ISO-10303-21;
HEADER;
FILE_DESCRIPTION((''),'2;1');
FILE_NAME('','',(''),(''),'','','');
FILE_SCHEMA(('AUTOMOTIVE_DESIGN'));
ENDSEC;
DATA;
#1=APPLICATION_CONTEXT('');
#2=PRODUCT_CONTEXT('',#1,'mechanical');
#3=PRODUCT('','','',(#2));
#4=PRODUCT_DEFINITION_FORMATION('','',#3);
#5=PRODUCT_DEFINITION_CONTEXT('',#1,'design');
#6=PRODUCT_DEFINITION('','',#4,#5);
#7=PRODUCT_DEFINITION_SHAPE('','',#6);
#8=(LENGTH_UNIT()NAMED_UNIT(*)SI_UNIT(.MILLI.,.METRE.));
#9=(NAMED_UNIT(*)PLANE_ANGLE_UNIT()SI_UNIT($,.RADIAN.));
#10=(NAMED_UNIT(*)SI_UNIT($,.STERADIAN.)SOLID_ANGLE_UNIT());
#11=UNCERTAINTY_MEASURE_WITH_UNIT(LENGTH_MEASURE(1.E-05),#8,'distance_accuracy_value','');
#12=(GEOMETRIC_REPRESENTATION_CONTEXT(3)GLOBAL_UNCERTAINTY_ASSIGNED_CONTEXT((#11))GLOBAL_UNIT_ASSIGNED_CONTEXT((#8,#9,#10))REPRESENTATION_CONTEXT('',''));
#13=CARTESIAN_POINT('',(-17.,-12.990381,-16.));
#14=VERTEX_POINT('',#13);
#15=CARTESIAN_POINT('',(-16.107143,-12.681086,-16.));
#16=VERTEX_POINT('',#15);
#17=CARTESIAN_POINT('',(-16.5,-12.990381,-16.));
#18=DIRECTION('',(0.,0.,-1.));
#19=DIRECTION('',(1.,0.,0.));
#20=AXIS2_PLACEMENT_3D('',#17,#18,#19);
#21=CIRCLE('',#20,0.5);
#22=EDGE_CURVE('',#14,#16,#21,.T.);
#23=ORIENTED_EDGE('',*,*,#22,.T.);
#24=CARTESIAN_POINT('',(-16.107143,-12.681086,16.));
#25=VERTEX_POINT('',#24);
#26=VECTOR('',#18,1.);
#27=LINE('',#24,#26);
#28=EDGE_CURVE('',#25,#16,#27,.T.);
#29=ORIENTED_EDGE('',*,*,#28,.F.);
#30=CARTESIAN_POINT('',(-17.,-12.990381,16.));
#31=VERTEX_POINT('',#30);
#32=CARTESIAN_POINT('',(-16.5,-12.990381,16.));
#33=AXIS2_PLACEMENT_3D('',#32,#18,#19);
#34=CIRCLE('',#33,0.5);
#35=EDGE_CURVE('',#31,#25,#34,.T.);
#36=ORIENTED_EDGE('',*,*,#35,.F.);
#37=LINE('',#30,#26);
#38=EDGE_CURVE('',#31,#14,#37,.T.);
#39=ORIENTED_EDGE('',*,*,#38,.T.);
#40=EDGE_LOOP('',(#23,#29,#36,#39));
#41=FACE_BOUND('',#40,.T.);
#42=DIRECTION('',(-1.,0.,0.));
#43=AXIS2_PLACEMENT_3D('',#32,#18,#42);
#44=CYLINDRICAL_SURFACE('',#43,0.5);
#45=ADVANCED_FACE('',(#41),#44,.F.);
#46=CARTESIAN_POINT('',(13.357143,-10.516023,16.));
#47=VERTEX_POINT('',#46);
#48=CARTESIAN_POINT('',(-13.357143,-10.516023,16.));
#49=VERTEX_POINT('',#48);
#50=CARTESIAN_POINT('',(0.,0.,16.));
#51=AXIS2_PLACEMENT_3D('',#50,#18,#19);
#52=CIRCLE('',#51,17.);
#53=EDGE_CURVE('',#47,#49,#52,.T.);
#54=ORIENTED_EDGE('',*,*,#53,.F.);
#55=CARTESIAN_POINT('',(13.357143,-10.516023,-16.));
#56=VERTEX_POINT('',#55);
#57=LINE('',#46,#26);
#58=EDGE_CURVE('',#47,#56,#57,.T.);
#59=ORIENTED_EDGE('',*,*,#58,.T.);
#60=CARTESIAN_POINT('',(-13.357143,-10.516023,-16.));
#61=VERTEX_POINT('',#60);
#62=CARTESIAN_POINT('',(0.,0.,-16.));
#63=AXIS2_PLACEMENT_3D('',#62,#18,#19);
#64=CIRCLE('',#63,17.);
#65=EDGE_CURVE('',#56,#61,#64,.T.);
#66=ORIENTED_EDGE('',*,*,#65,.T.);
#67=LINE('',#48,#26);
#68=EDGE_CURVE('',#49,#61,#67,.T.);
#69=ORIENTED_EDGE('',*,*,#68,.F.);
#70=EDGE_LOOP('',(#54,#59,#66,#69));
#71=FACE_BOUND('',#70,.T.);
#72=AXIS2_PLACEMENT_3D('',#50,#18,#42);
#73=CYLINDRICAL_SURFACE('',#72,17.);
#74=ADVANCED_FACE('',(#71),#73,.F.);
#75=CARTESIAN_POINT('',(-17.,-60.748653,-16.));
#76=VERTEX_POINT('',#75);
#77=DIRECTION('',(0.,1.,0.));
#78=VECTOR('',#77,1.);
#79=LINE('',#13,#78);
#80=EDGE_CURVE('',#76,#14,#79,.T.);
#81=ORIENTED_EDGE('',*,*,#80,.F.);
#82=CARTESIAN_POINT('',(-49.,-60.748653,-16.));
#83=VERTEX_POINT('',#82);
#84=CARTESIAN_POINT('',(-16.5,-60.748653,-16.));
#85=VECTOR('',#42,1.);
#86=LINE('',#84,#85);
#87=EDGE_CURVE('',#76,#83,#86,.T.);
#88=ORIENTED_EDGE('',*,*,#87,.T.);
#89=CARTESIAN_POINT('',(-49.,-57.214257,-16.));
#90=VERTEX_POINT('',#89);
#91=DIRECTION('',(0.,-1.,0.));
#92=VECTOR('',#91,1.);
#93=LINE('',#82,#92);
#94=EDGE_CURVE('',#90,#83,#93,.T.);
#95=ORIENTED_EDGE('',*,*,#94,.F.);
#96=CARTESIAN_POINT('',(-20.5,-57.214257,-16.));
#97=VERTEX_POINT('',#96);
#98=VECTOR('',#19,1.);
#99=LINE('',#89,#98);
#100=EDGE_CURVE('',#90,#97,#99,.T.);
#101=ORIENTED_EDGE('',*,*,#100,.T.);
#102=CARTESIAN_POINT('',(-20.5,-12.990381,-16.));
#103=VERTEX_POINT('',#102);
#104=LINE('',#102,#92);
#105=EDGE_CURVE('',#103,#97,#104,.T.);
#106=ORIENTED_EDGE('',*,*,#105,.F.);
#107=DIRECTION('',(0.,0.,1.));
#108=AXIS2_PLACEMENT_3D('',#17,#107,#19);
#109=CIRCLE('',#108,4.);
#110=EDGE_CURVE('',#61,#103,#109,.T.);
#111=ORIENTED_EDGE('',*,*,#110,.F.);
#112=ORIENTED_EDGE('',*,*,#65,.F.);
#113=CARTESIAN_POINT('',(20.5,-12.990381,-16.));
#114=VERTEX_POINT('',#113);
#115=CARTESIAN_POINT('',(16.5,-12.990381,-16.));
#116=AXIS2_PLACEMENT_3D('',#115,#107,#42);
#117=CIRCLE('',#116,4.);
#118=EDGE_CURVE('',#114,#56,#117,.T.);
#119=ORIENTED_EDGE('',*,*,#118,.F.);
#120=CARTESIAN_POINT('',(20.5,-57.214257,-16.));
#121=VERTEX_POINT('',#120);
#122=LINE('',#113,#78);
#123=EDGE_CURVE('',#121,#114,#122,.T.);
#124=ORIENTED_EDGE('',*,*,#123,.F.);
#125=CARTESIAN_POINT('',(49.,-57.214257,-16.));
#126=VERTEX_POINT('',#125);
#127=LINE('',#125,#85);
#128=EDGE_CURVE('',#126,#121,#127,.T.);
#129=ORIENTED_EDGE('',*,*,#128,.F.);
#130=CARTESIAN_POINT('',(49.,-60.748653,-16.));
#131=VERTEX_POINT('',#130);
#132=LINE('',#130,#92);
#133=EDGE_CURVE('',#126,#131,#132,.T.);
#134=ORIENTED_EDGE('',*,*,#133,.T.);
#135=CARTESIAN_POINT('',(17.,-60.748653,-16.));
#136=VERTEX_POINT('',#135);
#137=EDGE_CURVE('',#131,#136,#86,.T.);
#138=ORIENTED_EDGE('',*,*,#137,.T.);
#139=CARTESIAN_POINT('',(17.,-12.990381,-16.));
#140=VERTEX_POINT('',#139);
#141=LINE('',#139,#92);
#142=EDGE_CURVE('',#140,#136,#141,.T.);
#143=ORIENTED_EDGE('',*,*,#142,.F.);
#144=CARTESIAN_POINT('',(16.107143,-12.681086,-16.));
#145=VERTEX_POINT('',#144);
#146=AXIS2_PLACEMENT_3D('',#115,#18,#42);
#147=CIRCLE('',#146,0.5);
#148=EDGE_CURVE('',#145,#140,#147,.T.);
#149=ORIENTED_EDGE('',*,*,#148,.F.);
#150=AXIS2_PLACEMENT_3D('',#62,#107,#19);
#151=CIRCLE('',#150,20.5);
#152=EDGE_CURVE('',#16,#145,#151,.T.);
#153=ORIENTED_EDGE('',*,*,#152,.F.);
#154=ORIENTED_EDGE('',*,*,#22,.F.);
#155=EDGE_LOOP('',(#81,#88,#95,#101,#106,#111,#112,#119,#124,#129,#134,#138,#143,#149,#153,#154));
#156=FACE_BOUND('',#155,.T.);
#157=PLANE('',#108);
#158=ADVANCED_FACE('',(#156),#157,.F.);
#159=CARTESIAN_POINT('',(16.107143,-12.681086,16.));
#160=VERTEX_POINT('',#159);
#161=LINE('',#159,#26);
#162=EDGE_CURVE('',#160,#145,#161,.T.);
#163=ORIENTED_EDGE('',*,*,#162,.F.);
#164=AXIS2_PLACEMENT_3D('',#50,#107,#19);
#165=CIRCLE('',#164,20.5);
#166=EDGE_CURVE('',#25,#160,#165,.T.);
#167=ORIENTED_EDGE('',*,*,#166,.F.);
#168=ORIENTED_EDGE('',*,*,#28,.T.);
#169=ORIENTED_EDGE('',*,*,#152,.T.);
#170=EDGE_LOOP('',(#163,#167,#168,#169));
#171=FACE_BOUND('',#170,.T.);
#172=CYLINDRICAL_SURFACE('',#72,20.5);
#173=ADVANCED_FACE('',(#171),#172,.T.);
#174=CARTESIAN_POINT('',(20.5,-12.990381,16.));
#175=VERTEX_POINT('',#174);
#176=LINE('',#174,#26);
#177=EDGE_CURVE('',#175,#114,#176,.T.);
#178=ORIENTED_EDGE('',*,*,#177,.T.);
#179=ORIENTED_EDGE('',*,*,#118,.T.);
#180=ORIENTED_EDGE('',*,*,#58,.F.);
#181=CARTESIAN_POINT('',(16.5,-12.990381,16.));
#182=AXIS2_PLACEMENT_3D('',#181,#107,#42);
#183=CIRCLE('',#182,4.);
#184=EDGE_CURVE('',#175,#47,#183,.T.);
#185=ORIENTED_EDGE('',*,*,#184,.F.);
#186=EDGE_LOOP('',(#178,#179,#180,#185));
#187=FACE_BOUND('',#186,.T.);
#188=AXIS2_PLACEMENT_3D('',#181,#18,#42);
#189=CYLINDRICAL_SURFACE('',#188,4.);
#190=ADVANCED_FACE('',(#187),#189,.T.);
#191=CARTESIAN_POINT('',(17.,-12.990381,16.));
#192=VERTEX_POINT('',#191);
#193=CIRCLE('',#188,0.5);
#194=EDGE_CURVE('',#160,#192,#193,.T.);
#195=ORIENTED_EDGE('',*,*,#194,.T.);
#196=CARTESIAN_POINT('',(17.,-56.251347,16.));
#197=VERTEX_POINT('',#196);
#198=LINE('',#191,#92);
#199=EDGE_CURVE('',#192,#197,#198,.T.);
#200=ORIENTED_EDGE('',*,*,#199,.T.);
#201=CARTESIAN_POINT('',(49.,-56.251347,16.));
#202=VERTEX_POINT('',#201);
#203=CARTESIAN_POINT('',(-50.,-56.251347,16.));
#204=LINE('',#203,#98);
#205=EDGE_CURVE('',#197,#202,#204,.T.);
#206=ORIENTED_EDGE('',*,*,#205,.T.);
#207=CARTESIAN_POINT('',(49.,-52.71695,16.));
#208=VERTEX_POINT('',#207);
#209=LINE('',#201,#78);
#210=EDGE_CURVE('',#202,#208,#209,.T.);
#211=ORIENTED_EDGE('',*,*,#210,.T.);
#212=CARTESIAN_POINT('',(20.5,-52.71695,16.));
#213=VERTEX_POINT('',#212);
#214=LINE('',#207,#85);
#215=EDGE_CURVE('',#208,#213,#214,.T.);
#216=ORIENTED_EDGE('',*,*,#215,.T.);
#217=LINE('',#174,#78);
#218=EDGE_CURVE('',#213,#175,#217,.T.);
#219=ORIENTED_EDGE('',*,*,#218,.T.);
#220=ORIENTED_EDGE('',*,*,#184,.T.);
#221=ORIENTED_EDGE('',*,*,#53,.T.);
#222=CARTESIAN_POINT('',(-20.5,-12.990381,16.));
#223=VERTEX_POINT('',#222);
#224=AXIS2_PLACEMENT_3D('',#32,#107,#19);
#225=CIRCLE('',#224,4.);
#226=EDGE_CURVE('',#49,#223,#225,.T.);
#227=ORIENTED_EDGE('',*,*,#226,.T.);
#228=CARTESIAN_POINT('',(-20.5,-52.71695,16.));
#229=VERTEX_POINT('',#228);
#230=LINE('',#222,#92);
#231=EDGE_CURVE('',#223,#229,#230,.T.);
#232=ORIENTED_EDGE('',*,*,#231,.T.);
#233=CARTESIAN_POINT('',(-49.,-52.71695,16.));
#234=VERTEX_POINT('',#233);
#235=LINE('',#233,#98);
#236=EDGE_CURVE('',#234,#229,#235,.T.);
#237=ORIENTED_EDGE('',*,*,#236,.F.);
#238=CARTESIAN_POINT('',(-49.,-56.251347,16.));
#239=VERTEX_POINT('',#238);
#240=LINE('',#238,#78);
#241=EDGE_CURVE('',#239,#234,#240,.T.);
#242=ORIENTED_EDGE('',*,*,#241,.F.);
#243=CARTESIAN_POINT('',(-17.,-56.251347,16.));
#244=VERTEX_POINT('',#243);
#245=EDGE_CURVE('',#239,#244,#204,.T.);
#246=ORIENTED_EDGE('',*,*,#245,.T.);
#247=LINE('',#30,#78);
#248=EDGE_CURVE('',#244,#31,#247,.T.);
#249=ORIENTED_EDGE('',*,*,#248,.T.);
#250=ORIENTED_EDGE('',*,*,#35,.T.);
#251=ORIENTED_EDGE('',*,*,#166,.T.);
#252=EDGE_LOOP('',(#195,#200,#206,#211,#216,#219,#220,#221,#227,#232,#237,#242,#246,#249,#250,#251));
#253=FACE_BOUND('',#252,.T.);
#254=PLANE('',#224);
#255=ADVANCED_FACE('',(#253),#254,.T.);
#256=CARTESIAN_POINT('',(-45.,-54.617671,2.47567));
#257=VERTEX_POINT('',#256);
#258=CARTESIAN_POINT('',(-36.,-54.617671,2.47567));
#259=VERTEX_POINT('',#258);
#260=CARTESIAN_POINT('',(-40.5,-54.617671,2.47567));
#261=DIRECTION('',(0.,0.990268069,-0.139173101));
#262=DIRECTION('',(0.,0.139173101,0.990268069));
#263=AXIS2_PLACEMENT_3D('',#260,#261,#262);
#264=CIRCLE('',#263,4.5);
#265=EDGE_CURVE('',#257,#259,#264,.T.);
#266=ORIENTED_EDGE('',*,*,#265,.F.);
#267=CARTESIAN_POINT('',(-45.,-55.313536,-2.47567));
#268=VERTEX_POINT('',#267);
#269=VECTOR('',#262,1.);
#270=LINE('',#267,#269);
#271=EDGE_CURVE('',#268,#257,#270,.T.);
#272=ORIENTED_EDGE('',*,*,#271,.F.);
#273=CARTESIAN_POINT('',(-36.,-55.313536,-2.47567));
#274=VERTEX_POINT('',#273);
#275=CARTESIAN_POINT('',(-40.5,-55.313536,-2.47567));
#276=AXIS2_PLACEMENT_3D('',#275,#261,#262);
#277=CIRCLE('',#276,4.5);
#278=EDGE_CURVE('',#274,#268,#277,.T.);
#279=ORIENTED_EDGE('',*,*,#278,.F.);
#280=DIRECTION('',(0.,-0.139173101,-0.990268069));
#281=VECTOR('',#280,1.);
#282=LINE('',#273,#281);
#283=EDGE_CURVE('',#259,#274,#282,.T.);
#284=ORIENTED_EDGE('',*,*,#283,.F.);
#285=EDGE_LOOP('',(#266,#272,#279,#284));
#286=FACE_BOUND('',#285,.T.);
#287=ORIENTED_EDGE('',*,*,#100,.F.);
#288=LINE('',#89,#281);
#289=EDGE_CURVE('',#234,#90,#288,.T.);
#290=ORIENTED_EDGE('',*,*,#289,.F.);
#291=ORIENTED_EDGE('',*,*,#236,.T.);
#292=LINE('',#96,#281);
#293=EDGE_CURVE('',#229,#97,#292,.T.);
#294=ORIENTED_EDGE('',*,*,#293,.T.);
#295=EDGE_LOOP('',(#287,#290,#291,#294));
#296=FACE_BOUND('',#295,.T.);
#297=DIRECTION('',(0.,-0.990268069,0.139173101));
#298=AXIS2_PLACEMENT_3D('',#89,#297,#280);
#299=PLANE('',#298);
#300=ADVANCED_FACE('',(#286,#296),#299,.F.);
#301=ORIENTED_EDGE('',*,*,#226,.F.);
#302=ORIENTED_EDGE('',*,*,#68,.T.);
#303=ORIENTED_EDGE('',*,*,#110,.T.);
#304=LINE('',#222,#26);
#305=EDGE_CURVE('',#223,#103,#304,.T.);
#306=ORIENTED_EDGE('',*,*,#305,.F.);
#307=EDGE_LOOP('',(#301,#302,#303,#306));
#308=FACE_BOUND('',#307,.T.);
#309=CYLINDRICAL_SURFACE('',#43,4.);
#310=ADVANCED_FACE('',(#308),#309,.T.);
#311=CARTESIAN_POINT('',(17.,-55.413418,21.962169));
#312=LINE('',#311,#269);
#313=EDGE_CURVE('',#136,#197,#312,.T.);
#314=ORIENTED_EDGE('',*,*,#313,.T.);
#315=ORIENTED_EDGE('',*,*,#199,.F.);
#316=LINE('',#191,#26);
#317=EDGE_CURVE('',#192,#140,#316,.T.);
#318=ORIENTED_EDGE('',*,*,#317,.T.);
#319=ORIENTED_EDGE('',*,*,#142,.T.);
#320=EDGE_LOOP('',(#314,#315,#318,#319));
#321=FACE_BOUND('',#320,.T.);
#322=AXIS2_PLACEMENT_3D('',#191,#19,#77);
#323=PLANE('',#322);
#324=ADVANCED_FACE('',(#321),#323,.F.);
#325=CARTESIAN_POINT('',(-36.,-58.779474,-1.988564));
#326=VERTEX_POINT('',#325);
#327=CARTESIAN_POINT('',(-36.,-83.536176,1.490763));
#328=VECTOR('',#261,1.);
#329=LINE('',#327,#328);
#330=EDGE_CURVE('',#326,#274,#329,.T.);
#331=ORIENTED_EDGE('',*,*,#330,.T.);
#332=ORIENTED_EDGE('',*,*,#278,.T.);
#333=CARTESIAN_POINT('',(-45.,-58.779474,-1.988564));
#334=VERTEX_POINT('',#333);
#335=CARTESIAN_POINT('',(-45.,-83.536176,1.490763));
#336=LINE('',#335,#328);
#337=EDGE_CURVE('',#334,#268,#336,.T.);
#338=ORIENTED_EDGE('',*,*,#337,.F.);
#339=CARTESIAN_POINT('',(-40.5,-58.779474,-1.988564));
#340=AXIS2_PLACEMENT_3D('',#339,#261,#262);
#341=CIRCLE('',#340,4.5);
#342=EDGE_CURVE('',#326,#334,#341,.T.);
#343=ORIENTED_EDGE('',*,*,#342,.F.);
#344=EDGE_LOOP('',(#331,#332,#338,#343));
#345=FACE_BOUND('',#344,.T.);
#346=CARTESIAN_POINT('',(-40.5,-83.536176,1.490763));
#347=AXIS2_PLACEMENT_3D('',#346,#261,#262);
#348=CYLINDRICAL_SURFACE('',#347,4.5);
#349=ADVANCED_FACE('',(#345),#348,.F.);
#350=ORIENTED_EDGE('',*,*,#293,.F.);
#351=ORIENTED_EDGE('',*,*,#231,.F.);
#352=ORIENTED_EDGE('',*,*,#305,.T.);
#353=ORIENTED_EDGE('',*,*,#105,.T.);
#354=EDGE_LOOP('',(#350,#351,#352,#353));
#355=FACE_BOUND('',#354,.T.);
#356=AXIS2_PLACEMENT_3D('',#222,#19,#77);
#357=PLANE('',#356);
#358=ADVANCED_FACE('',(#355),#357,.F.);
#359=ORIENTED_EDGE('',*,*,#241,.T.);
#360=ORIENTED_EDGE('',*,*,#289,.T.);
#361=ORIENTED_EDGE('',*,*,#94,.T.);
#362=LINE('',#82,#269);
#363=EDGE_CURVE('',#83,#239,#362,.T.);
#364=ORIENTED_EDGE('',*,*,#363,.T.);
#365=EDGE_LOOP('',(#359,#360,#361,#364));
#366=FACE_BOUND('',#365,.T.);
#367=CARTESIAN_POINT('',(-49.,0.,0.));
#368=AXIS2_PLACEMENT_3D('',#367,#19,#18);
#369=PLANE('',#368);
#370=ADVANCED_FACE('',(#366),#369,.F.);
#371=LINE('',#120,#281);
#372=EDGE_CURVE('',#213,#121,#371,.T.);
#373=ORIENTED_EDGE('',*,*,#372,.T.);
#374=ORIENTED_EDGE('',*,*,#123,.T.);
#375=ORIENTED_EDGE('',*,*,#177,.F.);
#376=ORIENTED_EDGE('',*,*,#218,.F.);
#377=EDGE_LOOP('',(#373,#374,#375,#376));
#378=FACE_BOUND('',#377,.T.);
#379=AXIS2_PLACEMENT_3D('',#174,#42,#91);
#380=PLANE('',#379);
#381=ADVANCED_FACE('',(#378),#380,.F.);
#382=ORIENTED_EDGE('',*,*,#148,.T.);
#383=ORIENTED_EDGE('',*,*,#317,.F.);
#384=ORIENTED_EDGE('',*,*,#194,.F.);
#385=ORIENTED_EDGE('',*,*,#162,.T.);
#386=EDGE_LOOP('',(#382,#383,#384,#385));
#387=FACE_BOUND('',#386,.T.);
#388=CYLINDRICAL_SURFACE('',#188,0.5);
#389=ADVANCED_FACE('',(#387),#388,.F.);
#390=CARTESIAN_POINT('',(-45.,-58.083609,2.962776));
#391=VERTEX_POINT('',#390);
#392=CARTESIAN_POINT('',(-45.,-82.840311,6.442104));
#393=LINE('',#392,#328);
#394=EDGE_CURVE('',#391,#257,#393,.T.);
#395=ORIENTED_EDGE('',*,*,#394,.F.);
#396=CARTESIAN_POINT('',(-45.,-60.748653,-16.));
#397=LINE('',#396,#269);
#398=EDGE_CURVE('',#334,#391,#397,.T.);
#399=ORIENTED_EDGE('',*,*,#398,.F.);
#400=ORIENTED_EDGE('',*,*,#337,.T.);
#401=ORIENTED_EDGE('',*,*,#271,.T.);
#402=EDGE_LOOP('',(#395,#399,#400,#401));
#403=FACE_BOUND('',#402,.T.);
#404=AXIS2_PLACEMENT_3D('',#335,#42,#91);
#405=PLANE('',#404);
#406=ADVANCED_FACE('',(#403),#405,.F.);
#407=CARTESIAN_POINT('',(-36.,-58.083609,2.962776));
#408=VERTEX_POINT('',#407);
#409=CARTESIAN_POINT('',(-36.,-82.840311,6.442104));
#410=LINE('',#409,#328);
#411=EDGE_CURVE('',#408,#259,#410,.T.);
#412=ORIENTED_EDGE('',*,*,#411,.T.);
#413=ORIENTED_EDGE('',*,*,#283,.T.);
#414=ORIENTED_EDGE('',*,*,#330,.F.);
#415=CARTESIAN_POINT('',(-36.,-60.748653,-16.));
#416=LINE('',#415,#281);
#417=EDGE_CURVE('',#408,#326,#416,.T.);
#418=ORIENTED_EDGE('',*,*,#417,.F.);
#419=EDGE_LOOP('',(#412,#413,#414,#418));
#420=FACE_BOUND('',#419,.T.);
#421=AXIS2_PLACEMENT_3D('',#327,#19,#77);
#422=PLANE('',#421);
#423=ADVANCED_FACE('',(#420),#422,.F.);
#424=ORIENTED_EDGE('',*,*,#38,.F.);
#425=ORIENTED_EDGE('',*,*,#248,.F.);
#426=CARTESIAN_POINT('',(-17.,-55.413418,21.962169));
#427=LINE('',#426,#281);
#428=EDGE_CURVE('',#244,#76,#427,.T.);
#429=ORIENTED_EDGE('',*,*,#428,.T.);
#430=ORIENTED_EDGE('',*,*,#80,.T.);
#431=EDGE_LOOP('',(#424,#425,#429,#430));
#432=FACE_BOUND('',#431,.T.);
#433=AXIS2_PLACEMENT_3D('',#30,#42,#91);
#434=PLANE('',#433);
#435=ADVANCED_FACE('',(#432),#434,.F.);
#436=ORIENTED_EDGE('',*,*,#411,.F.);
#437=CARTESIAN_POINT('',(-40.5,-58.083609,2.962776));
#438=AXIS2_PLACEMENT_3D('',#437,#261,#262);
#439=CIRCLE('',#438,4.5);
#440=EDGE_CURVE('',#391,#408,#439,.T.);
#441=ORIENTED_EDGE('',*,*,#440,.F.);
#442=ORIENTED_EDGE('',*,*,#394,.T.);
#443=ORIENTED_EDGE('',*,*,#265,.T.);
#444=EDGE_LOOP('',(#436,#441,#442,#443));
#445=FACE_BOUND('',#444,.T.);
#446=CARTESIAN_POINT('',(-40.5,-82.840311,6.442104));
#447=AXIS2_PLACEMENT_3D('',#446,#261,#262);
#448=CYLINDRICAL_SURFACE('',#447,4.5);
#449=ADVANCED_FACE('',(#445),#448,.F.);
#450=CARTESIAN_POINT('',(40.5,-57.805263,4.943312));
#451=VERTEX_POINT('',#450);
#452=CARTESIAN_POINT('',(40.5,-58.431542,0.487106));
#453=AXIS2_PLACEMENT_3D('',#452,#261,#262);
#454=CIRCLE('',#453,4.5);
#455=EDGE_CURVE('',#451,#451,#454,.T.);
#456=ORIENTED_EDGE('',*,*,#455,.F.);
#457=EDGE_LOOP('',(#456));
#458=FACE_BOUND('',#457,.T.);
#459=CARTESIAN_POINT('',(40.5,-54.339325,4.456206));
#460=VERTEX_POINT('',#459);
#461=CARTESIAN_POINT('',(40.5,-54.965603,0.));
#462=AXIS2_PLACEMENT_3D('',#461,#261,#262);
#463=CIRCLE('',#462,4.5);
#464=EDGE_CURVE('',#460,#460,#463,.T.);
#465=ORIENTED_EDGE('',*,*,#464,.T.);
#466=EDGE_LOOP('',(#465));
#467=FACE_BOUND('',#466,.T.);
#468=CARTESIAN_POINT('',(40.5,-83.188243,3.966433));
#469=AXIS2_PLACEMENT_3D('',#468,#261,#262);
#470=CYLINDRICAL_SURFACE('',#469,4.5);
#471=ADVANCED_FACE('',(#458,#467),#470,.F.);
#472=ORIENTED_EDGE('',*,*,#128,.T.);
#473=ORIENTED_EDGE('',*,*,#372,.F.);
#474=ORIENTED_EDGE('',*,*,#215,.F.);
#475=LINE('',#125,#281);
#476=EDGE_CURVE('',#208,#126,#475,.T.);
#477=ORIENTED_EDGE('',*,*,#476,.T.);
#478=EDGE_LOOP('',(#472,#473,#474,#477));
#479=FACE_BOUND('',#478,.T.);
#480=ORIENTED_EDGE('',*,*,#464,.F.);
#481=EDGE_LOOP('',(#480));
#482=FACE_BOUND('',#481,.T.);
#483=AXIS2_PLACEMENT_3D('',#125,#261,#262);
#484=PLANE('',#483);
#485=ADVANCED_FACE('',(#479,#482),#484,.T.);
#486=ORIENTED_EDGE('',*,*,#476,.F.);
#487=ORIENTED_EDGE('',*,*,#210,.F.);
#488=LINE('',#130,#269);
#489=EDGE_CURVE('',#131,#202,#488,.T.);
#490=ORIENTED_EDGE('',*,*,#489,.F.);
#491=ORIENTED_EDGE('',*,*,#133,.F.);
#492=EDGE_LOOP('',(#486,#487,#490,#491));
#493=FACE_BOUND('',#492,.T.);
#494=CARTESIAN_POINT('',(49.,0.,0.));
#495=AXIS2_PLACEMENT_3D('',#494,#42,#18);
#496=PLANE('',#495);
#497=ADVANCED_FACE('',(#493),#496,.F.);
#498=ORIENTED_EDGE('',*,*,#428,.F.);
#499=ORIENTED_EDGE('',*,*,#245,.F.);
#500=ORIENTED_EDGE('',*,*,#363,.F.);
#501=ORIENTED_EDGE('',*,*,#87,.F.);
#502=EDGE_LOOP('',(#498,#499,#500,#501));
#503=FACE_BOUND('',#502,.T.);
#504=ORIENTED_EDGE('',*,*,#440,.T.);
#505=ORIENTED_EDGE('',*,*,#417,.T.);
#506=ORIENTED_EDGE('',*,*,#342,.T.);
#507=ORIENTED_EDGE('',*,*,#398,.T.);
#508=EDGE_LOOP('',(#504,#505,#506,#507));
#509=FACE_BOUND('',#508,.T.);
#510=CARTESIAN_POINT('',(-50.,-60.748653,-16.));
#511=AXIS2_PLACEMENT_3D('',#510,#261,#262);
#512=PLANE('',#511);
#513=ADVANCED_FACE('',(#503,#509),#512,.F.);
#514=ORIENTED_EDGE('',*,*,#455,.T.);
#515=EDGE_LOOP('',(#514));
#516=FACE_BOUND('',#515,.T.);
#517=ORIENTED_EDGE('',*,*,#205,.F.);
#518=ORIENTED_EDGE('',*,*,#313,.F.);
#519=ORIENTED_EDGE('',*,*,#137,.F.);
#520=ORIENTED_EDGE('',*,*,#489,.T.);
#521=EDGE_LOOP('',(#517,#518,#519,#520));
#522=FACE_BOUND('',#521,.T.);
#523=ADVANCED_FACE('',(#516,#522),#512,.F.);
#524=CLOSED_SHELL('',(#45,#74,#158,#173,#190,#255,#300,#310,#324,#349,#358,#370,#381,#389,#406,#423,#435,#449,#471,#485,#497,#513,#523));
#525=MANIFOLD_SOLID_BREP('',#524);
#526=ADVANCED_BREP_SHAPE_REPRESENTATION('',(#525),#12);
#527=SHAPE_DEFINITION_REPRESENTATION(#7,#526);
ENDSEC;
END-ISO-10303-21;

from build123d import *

# Parameters (mm, degrees)
EXTRUDE_1_DEPTH     = 16
CUT_EXTRUDE_1_DEPTH = 50
EXTRUDE_2_DEPTH     = 28.5
SKETCH_4_R          = 4.5
CUT_EXTRUDE_2_DEPTH = 28.5


with BuildPart() as part:
    # 草图1 → 凸台-拉伸1 (new, symmetric)
    with BuildSketch(Plane.XY):
        with BuildLine():
            Line((-17, -12.990381057), (-17, -66.86388681))
            Line((-17, -66.86388681), (-20.5, -66.86388681))
            Line((-20.5, -66.86388681), (-20.5, -12.990381057))
            ThreePointArc((-20.5, -12.990381057), (-17.809307341, -9.210736327), (-13.357142857, -10.51602276))
            ThreePointArc((-13.357142857, -10.51602276), (0, -17), (13.357142857, -10.51602276))
            ThreePointArc((13.357142857, -10.51602276), (17.809307341, -9.210736327), (20.5, -12.990381057))
            Line((20.5, -12.990381057), (20.5, -66.86388681))
            Line((20.5, -66.86388681), (17, -66.86388681))
            Line((17, -66.86388681), (17, -12.990381057))
            ThreePointArc((17, -12.990381057), (16.663663418, -12.517925466), (16.107142857, -12.68108627))
            ThreePointArc((16.107142857, -12.68108627), (0, -20.5), (-16.107142857, -12.68108627))
            ThreePointArc((-16.107142857, -12.68108627), (-16.663663418, -12.517925466), (-17, -12.990381057))
        make_face()
    extrude(amount=EXTRUDE_1_DEPTH, both=True)

    # 草图2 → 切除-拉伸1 (cut, symmetric)
    with BuildSketch(Plane(origin=(0, 0, 0), x_dir=(0, 0, -1), z_dir=(1, 0, 0))):
        Polygon((16, -60.748653355), (-16, -56.251346645), (-16, -66.86388681), (16, -66.86388681), align=None)
    extrude(amount=CUT_EXTRUDE_1_DEPTH, both=True, mode=Mode.SUBTRACT)

    # 草图3 → 凸台-拉伸2 (add)
    with BuildSketch(Plane.ZY.offset(20.5)):
        Polygon((-16, -60.748653355), (16, -56.251346645), (16, -52.716950141), (-16, -57.214256851), align=None)
    extrude_2 = extrude(amount=EXTRUDE_2_DEPTH)

    # 镜向1: 凸台-拉伸2 across plane
    add(extrude_2.mirror(Plane(origin=(0, 0, 0), x_dir=(0, 0, 1), z_dir=(1, 0, 0))))

    # 草图4 → 切除-拉伸2 (cut)
    with BuildSketch(Plane(origin=(0, -53.900966366, 7.575286804), x_dir=(1, 0, 0), z_dir=(0, 0.9902680687415715, -0.13917310096005808))):
        with Locations(Location((40.5, 7.649733485, 0), (0, 0, 270))):
            Circle(SKETCH_4_R)
        with BuildLine():
            Line((-36, 10.149733485), (-36, 5.149733485))
            ThreePointArc((-36, 5.149733485), (-40.5, 0.649733485), (-45, 5.149733485))
            Line((-45, 5.149733485), (-45, 10.149733485))
            ThreePointArc((-45, 10.149733485), (-40.5, 14.649733485), (-36, 10.149733485))
        make_face()
    extrude(amount=-CUT_EXTRUDE_2_DEPTH, mode=Mode.SUBTRACT)


solid = part.part
